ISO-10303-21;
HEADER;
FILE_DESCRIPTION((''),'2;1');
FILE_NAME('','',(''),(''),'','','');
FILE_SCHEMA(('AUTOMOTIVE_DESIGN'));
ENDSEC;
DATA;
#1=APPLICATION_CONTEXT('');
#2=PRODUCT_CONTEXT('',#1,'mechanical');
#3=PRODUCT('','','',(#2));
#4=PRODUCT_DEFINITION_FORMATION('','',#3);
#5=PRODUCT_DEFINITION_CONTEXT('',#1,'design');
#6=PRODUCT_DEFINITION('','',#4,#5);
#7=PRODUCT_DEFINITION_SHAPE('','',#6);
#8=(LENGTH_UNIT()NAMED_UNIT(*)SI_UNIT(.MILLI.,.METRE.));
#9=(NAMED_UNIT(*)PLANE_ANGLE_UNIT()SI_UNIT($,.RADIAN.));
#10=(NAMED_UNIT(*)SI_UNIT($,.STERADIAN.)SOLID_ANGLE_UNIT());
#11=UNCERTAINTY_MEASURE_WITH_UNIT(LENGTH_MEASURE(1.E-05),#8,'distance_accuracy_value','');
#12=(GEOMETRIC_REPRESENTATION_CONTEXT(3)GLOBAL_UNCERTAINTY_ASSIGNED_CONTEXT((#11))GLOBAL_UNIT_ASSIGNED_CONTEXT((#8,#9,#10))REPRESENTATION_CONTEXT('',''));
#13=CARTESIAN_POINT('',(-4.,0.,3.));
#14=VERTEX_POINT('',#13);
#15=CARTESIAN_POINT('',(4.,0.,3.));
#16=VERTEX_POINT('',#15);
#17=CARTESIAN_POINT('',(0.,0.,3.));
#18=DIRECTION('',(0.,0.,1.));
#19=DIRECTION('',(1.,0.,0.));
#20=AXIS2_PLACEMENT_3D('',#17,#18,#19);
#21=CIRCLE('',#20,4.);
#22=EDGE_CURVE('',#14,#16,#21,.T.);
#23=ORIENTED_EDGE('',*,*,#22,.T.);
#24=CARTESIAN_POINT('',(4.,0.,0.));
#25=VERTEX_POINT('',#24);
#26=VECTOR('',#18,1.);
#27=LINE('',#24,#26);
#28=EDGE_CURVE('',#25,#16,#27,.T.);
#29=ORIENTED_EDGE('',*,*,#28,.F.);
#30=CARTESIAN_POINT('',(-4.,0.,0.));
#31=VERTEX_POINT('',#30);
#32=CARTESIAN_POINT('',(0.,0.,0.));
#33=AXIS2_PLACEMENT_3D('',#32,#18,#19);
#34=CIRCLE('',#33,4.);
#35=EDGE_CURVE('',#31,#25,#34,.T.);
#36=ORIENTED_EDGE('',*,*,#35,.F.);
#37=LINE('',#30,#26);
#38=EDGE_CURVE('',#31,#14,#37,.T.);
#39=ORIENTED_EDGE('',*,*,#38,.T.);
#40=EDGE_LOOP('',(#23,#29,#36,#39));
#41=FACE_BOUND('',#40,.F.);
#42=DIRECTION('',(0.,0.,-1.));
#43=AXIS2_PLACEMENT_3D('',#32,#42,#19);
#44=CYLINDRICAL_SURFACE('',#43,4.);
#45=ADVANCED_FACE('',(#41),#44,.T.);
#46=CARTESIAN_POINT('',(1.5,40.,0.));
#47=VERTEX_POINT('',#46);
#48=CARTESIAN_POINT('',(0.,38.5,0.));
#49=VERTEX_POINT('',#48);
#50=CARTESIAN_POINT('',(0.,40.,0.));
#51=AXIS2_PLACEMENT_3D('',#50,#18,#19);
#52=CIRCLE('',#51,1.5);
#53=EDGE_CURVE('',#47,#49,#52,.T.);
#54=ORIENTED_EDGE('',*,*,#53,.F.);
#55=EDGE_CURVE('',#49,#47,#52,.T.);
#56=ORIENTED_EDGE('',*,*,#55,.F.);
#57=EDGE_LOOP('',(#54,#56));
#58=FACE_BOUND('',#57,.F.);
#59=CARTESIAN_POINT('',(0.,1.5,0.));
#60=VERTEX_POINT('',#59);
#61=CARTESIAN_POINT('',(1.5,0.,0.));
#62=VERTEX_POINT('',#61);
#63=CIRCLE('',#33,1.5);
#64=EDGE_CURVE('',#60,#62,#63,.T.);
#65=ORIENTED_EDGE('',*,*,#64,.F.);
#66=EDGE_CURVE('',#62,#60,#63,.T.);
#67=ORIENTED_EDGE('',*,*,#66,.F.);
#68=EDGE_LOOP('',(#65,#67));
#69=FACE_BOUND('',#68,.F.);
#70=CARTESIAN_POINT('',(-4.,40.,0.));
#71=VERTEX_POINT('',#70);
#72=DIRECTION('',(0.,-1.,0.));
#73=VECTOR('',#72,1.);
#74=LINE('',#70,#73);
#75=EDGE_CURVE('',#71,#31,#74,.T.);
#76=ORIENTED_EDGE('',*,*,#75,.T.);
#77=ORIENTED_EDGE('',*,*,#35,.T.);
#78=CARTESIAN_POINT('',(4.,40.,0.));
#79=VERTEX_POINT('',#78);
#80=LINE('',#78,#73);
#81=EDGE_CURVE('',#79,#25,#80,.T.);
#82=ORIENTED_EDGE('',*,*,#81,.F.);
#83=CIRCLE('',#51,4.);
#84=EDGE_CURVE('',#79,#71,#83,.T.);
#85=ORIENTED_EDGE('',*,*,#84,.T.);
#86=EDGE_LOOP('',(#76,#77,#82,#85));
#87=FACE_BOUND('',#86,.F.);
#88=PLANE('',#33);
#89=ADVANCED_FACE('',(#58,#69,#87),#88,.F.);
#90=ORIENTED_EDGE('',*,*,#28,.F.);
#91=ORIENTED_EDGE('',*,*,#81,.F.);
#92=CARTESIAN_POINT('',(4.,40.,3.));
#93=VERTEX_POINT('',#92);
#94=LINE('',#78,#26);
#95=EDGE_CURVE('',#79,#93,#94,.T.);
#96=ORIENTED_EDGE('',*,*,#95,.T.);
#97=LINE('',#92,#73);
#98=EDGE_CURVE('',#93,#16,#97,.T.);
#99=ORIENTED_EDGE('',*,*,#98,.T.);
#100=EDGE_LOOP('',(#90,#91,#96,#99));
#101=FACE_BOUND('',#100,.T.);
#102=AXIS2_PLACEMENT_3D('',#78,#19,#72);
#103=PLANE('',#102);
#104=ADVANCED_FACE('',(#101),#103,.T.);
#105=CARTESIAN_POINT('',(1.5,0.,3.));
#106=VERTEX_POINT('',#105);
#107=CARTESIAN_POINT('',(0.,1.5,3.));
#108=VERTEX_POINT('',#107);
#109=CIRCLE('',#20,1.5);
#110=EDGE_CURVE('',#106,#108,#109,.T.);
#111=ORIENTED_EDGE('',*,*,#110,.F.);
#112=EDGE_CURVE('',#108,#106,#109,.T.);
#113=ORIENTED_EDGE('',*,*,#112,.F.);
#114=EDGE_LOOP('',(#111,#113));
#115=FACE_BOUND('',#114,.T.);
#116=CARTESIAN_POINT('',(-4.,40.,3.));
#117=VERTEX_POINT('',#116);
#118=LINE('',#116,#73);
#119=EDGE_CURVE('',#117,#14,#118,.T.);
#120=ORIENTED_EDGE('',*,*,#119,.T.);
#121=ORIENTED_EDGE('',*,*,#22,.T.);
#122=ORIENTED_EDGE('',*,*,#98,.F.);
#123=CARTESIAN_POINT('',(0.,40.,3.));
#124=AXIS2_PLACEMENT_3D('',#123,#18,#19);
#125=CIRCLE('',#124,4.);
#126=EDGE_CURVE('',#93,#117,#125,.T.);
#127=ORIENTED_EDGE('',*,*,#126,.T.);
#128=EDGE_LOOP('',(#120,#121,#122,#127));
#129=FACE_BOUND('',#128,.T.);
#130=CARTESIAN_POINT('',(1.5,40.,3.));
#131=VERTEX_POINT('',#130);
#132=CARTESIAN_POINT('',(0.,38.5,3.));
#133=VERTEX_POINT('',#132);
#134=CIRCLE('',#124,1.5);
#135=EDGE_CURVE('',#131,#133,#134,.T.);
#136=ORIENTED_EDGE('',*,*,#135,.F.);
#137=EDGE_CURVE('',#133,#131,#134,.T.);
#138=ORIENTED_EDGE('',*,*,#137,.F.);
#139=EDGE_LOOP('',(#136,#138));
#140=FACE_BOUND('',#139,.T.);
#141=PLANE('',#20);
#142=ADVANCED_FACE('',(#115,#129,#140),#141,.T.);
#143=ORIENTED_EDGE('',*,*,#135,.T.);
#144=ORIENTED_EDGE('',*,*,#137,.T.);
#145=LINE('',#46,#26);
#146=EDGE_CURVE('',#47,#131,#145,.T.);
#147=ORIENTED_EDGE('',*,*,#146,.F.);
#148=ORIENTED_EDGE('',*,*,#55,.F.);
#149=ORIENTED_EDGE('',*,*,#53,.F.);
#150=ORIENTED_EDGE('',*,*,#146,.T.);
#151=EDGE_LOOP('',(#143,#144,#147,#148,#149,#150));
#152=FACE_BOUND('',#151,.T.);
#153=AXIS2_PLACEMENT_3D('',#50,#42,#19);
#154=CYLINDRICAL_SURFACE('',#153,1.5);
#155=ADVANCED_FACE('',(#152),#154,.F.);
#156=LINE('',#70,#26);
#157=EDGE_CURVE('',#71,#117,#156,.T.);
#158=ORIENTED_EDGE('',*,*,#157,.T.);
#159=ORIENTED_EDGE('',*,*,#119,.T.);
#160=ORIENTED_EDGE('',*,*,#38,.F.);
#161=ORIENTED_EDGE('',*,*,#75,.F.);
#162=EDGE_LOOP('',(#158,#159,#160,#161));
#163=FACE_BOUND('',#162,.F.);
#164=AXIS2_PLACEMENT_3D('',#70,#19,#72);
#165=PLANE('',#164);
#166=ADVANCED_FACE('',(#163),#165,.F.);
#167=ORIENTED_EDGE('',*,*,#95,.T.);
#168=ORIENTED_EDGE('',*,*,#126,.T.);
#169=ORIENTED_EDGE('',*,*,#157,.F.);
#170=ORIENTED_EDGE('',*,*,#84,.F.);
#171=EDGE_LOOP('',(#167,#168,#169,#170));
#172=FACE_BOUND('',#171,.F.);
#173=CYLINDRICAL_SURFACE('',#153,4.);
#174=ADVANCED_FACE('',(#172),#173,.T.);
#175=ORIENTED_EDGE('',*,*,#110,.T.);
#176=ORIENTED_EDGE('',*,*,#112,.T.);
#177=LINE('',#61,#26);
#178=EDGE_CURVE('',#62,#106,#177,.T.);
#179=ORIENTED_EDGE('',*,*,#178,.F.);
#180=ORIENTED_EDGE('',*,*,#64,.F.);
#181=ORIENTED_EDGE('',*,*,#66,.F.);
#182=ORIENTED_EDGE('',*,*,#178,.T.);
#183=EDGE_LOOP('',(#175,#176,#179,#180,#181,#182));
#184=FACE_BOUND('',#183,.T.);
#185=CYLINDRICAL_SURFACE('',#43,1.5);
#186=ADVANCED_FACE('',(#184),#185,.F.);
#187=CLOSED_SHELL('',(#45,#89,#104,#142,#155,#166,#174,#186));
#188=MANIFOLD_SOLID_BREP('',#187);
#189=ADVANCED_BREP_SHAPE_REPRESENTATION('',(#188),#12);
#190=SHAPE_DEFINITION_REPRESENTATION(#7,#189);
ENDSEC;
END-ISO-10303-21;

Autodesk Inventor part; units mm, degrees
ref_plane "YZ Plane" through (0, 0, 0) normal (1, 0, 0) x (0, 1, 0)
ref_plane "XZ Plane" through (0, 0, 0) normal (0, 1, 0) x (-1, 0, 0)
ref_plane "XY Plane" through (0, 0, 0) normal (0, 0, 1) x (1, 0, 0)
sketch "Sketch1" plane through (0, 0, 0) normal (0, 0, 1) x (1, 0, 0)
  circle A0 centre (0, 0) radius 1.5
  circle A1 centre (0, 0) radius 4
  line L0 (0, 0) -> (0, 40)
  circle A2 centre (0, 40) radius 1.5
  circle A3 centre (0, 40) radius 4
  line L1 (-4, 40) -> (-4, 0)
  line L2 (4, 40) -> (4, 0)
  dimension "d0" = 3
  dimension "d1" = 8
  dimension "d2" = 40
  dimension "d3" = 3
  dimension "d4" = 8
extrude "Extrusion1" add sketch "Sketch1" along normal blind 3
properties part number "bar1"
